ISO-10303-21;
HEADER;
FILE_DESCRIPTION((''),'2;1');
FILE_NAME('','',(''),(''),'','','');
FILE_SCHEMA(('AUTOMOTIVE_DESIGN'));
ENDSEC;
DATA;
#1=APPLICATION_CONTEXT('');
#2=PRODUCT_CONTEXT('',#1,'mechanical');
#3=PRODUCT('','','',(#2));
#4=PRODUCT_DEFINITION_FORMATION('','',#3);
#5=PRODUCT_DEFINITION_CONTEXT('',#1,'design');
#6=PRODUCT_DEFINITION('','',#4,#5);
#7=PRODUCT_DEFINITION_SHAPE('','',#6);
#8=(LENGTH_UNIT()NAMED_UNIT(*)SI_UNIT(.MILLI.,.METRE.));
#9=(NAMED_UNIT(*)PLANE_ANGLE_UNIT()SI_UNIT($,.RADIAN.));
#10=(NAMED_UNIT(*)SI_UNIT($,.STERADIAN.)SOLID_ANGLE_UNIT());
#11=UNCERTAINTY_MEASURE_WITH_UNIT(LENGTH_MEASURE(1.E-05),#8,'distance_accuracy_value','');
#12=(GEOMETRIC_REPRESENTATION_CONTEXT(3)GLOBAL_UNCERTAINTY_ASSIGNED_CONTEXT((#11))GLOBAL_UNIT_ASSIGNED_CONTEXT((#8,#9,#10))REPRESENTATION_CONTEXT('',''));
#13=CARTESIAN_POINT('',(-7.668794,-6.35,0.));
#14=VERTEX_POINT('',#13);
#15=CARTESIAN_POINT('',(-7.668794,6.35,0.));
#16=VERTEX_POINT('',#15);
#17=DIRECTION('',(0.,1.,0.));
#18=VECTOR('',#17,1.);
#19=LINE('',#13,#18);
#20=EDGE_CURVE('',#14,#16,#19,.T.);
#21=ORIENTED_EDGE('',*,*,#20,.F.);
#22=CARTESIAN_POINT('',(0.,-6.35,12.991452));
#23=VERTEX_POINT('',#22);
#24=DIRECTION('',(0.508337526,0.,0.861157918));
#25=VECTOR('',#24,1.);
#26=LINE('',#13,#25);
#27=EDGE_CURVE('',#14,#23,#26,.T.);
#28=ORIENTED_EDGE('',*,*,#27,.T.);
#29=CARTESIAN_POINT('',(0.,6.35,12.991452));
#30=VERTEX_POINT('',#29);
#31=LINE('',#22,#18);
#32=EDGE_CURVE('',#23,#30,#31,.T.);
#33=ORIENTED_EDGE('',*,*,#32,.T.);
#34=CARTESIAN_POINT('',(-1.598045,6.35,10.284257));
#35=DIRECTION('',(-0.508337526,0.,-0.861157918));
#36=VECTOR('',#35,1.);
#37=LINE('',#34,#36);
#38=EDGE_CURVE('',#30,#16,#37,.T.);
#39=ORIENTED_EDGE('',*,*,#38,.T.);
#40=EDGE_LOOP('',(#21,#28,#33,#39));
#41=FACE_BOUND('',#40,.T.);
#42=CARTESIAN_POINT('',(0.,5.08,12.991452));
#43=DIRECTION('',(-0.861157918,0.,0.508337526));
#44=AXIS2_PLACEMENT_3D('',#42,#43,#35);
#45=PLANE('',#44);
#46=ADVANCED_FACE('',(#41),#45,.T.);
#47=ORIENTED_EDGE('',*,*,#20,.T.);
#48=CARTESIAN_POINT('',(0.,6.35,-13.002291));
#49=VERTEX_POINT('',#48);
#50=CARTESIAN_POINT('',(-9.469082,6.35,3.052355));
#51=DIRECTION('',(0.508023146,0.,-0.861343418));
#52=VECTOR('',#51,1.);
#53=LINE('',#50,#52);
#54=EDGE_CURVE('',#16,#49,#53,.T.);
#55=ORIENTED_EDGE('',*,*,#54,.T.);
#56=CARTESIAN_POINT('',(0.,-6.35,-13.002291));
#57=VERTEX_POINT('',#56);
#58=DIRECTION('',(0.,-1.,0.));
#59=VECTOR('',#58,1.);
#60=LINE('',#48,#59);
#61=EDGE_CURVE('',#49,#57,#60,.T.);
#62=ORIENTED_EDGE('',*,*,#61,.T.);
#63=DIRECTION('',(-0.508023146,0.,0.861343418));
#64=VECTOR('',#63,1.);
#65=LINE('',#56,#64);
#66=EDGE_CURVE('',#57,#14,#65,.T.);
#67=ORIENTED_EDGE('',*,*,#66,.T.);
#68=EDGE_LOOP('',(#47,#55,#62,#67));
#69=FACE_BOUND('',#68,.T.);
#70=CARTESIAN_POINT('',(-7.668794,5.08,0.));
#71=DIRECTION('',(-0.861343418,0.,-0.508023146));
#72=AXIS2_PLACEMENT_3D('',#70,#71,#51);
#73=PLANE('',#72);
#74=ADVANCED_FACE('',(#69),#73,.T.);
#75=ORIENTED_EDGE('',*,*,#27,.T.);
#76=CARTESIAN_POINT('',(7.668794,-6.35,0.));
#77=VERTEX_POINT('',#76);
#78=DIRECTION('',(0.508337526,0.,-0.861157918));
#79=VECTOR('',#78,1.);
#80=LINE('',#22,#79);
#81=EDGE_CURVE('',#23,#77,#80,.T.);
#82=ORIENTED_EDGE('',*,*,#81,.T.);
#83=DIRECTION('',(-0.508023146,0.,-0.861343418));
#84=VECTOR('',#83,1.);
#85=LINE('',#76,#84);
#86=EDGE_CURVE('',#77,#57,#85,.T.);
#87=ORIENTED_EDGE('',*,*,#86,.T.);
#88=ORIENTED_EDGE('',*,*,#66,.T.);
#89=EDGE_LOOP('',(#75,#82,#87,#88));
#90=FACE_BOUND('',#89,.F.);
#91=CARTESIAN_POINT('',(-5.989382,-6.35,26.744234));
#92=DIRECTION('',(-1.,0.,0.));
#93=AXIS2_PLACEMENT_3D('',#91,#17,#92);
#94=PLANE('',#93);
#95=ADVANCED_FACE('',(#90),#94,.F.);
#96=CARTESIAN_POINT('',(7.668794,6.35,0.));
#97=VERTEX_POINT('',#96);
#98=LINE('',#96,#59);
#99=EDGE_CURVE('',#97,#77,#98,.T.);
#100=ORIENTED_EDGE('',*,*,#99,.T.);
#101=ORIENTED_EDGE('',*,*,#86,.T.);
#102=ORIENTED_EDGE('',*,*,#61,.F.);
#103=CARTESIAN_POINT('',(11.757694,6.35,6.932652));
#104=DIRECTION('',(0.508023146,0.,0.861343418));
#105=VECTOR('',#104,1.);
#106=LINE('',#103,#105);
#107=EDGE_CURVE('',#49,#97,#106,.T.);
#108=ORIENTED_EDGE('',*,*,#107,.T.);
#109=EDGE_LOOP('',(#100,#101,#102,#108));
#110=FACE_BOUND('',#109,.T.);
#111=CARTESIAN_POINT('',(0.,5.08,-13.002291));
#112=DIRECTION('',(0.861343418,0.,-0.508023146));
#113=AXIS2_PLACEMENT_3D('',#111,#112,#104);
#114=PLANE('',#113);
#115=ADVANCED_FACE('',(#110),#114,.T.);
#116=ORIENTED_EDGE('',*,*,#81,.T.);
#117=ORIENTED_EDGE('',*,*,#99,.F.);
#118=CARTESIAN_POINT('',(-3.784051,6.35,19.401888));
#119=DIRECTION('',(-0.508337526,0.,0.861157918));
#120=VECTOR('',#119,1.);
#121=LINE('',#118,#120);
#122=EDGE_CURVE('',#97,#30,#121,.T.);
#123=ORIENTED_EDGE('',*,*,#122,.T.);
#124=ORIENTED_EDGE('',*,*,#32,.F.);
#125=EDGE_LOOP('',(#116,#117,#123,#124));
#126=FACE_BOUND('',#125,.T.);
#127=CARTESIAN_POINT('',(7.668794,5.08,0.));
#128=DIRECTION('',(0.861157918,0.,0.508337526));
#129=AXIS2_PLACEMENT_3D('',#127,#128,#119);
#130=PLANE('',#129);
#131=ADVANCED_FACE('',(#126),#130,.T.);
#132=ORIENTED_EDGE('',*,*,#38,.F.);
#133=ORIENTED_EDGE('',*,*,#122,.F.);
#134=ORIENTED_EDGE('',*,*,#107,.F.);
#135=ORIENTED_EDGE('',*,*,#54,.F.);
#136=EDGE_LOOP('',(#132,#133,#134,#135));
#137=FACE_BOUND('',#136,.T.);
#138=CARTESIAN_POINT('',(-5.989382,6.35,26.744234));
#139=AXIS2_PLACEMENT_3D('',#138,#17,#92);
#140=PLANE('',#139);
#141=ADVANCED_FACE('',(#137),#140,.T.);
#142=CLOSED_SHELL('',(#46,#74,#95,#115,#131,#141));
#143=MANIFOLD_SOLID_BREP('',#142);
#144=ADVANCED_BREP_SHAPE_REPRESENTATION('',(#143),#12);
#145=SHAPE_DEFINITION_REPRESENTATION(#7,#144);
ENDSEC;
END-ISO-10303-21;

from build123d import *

# Parameters (mm, degrees)
F1_DEPTH = 5.08
F2_DEPTH = 5.08
F3_W     = 124.8834840953
F3_H     = 134.0803280473
F4_DEPTH = 25.4
F5_DEPTH = 1.27
F6_DEPTH = 1.27


with BuildPart() as f1:
    # F0 (on Front) → F1 (new body)
    with BuildSketch(Plane.XZ):
        with BuildLine():
            add(Edge.make_bspline(
                [(11.6870266183, 8.3659507286), (11.9476031572, 8.1243832132), (12.5616108346, 7.4348870399), (13.3502602627, 5.9055860485), (12.8304196463, 2.6136928469), (12.1032885822, -3.9726756525), (11.7671016032, -8.6546761386), (11.3077259518, -11.7183290107), (11.0820746049, -13.2232354954)],
                knots=[0.7644347581, 0.7644347581, 0.7644347581, 0.7644347581, 0.7813803339, 0.8102561854, 0.8494051355, 0.9057589485, 0.9537075591, 1, 1, 1, 1], degree=3))
            Line((11.6870266183, 8.3659507286), (10.7098612934, -7.1798651479))
            Line((10.7098612934, -7.1798651479), (-10.6029463932, 18.994666636))
            Line((-10.6029463932, 18.994666636), (-7.8187826003, 81.9431145827))
            add(Edge.make_bspline(
                [(-10.6029463932, 84.9773436785), (-9.8645957866, 84.411917966), (-8.8470388386, 83.6326772405), (-8.0272766718, 82.3316307612), (-7.8187826003, 81.9431145827)],
                knots=[0, 0, 0, 0, 0.0369842854, 0.0509698458, 0.0509698458, 0.0509698458, 0.0509698458], degree=3))
            add(Edge.make_bspline(
                [(-11.1952358857, -13.2855195552), (-11.1963398761, -12.8902117283), (-11.1997561984, -11.6669231231), (-11.1512885463, -5.3731858959), (-11.3422819981, 1.4393792063), (-12.1461643066, 4.6189611976), (-13.2850553088, 9.1238655935), (-15.2318124981, 13.6348809881), (-16.5294824008, 17.2010053959), (-19.3261405399, 23.6368379744), (-19.7379489625, 26.452730971), (-18.8574929103, 31.5305578619), (-16.6797816611, 35.2468825016), (-14.5909185063, 40.6408371255), (-13.4119591393, 46.1621954132), (-12.5394588361, 53.3896491248), (-12.0546254183, 59.9791874234), (-12.4642284532, 65.9827168693), (-12.3457592591, 73.9226808987), (-11.3164428193, 80.5227149139), (-11.5649092387, 84.7450814286), (-10.8268692537, 84.9232783602), (-10.6029463932, 84.9773436785)],
                knots=[0, 0, 0, 0, 0.0273896804, 0.0847579572, 0.1451631407, 0.1862204743, 0.2349457062, 0.2850522094, 0.3309978555, 0.390291, 0.4296935499, 0.4796750401, 0.527816225, 0.5818528524, 0.6365092781, 0.6980539867, 0.7565756752, 0.8124783975, 0.8767822708, 0.9378286387, 0.9811370802, 1, 1, 1, 1], degree=3))
            Line((-11.1952358857, -13.2855195552), (10.8409429303, -13.2855195552))
            add(Edge.make_bspline(
                [(10.8409429303, -13.2855195552), (10.9216527758, -13.2575733481), (11.0020770139, -13.2366740148), (11.0820746049, -13.2232354954)],
                knots=[0.9988692567, 0.9988692567, 0.9988692567, 0.9988692567, 1, 1, 1, 1], degree=3))
        make_face()
        with BuildLine():
            Line((10.7098612934, -7.1798651479), (11.6870266183, 8.3659507286))
            add(Edge.make_bspline(
                [(-7.8187826003, 81.9431145827), (-7.3326835412, 81.037298185), (-6.246332701, 78.0877738667), (-5.7619281696, 71.7972152113), (-5.7903461619, 61.0472196354), (-5.6098025476, 47.5528084715), (-5.6232359348, 35.7951775922), (-6.6035814728, 31.5572406566), (-6.642373723, 26.8588973108), (-4.7217209893, 21.7576733197), (-2.3324429206, 17.8568763905), (-0.0644904347, 14.9988475653), (2.1698029367, 12.9502128359), (5.7523840475, 11.2499433455), (8.6363164493, 10.2542124123), (10.6765655712, 9.2073747067), (11.4911211984, 8.5475648745), (11.6870266183, 8.3659507286)],
                knots=[0.0509698458, 0.0509698458, 0.0509698458, 0.0509698458, 0.0835768534, 0.1402547932, 0.2115954168, 0.293701069, 0.3674969806, 0.4121442254, 0.4580916534, 0.50894046, 0.5557476766, 0.5967458601, 0.6345135251, 0.6775157549, 0.7161326985, 0.7516948155, 0.7644347581, 0.7644347581, 0.7644347581, 0.7644347581], degree=3))
            Line((-7.8187826003, 81.9431145827), (-10.6029463932, 18.994666636))
            Line((-10.6029463932, 18.994666636), (10.7098612934, -7.1798651479))
        make_face()
        with BuildLine():
            Line((11.0820746049, -15.9663576633), (11.0820746049, -13.2855195552))
            Line((11.0820746049, -13.2855195552), (10.8409429303, -13.2855195552))
            add(Edge.make_bspline(
                [(8.3953980002, -15.9663576633), (9.1364610409, -14.6227373643), (10.004055933, -13.5752960653), (10.8409429303, -13.2855195552)],
                knots=[0.9871444865, 0.9871444865, 0.9871444865, 0.9871444865, 0.9988692567, 0.9988692567, 0.9988692567, 0.9988692567], degree=3))
            Line((8.3953980003, -15.9663576633), (11.0820746049, -15.9663576633))
        make_face()
        with BuildLine():
            add(Edge.make_bspline(
                [(8.3953980002, -15.9663576633), (9.1364610409, -14.6227373643), (10.004055933, -13.5752960653), (10.8409429303, -13.2855195552)],
                knots=[0.9871444865, 0.9871444865, 0.9871444865, 0.9871444865, 0.9988692567, 0.9988692567, 0.9988692567, 0.9988692567], degree=3))
            Line((10.8409429303, -13.2855195552), (-11.1952358857, -13.2855195552))
            Line((-11.1952358857, -13.2855195552), (-11.0308257863, -15.9663576633))
            Line((-11.0308257863, -15.9663576633), (8.3953980003, -15.9663576633))
        make_face()
        with BuildLine():
            Line((11.0820746049, -13.2855195552), (11.0820746049, -13.2232354954))
            add(Edge.make_bspline(
                [(10.8409429303, -13.2855195552), (10.9216527758, -13.2575733481), (11.0020770139, -13.2366740148), (11.0820746049, -13.2232354954)],
                knots=[0.9988692567, 0.9988692567, 0.9988692567, 0.9988692567, 1, 1, 1, 1], degree=3))
            Line((10.8409429303, -13.2855195552), (11.0820746049, -13.2855195552))
        make_face()
    extrude(amount=F1_DEPTH)

    # F2 (add): a face of the model
    f2_faces = [f1.faces().sort_by_distance(p)[0] for p in [
        (-5.0809274024, 0, 19.1888153538),
    ]]
    extrude(f2_faces, amount=F2_DEPTH)

    # F3 (on face) → F4 (cut)
    with BuildSketch(Plane.XZ.offset(5.08)):
        with Locations((7.2313416749, 30.1963053644)):
            Rectangle(F3_W, F3_H)
        with BuildLine():
            Line((-11.0308257863, -15.9663576633), (-11.1952358857, -13.2855195552))
            add(Edge.make_bspline(
                [(-11.1952358857, -13.2855195552), (-11.1963398761, -12.8902117283), (-11.1997561984, -11.6669231231), (-11.1512885463, -5.3731858959), (-11.3422819981, 1.4393792063), (-12.1461643066, 4.6189611976), (-13.2850553088, 9.1238655935), (-15.2318124981, 13.6348809881), (-16.5294824008, 17.2010053959), (-19.3261405399, 23.6368379744), (-19.7379489625, 26.452730971), (-18.8574929103, 31.5305578619), (-16.6797816611, 35.2468825016), (-14.5909185063, 40.6408371255), (-13.4119591393, 46.1621954132), (-12.5394588361, 53.3896491248), (-12.0546254183, 59.9791874234), (-12.4642284532, 65.9827168693), (-12.3457592591, 73.9226808987), (-11.3164428193, 80.5227149139), (-11.5649092387, 84.7450814286), (-10.8268692537, 84.9232783602), (-10.6029463932, 84.9773436785)],
                knots=[0, 0, 0, 0, 0.0273896804, 0.0847579572, 0.1451631407, 0.1862204743, 0.2349457062, 0.2850522094, 0.3309978555, 0.390291, 0.4296935499, 0.4796750401, 0.527816225, 0.5818528524, 0.6365092781, 0.6980539867, 0.7565756752, 0.8124783975, 0.8767822708, 0.9378286387, 0.9811370802, 1, 1, 1, 1], degree=3))
            add(Edge.make_bspline(
                [(11.0820746049, -13.2232354954), (11.3077259518, -11.7183290107), (11.7671016032, -8.6546761386), (12.1032885822, -3.9726756525), (12.8304196463, 2.6136928469), (13.3502602627, 5.9055860485), (12.443365527, 7.6641811468), (11.0743289472, 9.0032850711), (8.6363164493, 10.2542124123), (5.7523840475, 11.2499433455), (2.1698029367, 12.9502128359), (-0.0644904347, 14.9988475653), (-2.3324429206, 17.8568763905), (-4.7217209893, 21.7576733197), (-6.642373723, 26.8588973108), (-6.6035814728, 31.5572406566), (-5.6232359348, 35.7951775922), (-5.6098025476, 47.5528084715), (-5.7903461619, 61.0472196354), (-5.7619281696, 71.7972152113), (-6.2885094778, 78.6354885776), (-8.1960757736, 83.1341725308), (-9.8645957866, 84.411917966), (-10.6029463932, 84.9773436785)],
                knots=[0.7644347581, 0.7644347581, 0.7644347581, 0.7644347581, 0.810727199, 0.8586758096, 0.9150296226, 0.9541785727, 0.9830544242, 1.0127399426, 1.0483020596, 1.0869190032, 1.1299212329, 1.167688898, 1.2086870814, 1.2554942981, 1.3063431047, 1.3522905327, 1.3969377775, 1.470733689, 1.5528393413, 1.6241799649, 1.6808579047, 1.7274504726, 1.7644347581, 1.7644347581, 1.7644347581, 1.7644347581], degree=3))
            Line((11.0820746049, -13.2232354954), (11.0820746049, -15.9663576633))
            Line((11.0820746049, -15.9663576633), (-11.0308257863, -15.9663576633))
        make_face(mode=Mode.SUBTRACT)
        with BuildLine():
            add(Edge.make_bspline(
                [(-11.1952358857, -13.2855195552), (-11.1963398761, -12.8902117283), (-11.1997561984, -11.6669231231), (-11.1512885463, -5.3731858959), (-11.3422819981, 1.4393792063), (-12.1461643066, 4.6189611976), (-13.2850553088, 9.1238655935), (-15.2318124981, 13.6348809881), (-16.5294824008, 17.2010053959), (-19.3261405399, 23.6368379744), (-19.7379489625, 26.452730971), (-18.8574929103, 31.5305578619), (-16.6797816611, 35.2468825016), (-14.5909185063, 40.6408371255), (-13.4119591393, 46.1621954132), (-12.5394588361, 53.3896491248), (-12.0546254183, 59.9791874234), (-12.4642284532, 65.9827168693), (-12.3457592591, 73.9226808987), (-11.3164428193, 80.5227149139), (-11.5649092387, 84.7450814286), (-10.8268692537, 84.9232783602), (-10.6029463932, 84.9773436785)],
                knots=[0, 0, 0, 0, 0.0273896804, 0.0847579572, 0.1451631407, 0.1862204743, 0.2349457062, 0.2850522094, 0.3309978555, 0.390291, 0.4296935499, 0.4796750401, 0.527816225, 0.5818528524, 0.6365092781, 0.6980539867, 0.7565756752, 0.8124783975, 0.8767822708, 0.9378286387, 0.9811370802, 1, 1, 1, 1], degree=3))
            Line((-11.1952358857, -13.2855195552), (-11.0308257863, -15.9663576633))
            Line((-11.0308257863, -15.9663576633), (11.0820746049, -15.9663576633))
            Line((11.0820746049, -15.9663576633), (11.0820746049, -13.2232354954))
            add(Edge.make_bspline(
                [(11.0820746049, -13.2232354954), (11.3077259518, -11.7183290107), (11.7671016032, -8.6546761386), (12.1032885822, -3.9726756525), (12.8304196463, 2.6136928469), (13.3502602627, 5.9055860485), (12.443365527, 7.6641811468), (11.0743289472, 9.0032850711), (8.6363164493, 10.2542124123), (5.7523840475, 11.2499433455), (2.1698029367, 12.9502128359), (-0.0644904347, 14.9988475653), (-2.3324429206, 17.8568763905), (-4.7217209893, 21.7576733197), (-6.642373723, 26.8588973108), (-6.6035814728, 31.5572406566), (-5.6232359348, 35.7951775922), (-5.6098025476, 47.5528084715), (-5.7903461619, 61.0472196354), (-5.7619281696, 71.7972152113), (-6.2885094778, 78.6354885776), (-8.1960757736, 83.1341725308), (-9.8645957866, 84.411917966), (-10.6029463932, 84.9773436785)],
                knots=[0.7644347581, 0.7644347581, 0.7644347581, 0.7644347581, 0.810727199, 0.8586758096, 0.9150296226, 0.9541785727, 0.9830544242, 1.0127399426, 1.0483020596, 1.0869190032, 1.1299212329, 1.167688898, 1.2086870814, 1.2554942981, 1.3063431047, 1.3522905327, 1.3969377775, 1.470733689, 1.5528393413, 1.6241799649, 1.6808579047, 1.7274504726, 1.7644347581, 1.7644347581, 1.7644347581, 1.7644347581], degree=3))
        make_face()
        Polygon((-7.6687936671, 0), (0, 12.9914516583), (7.6687936671, 0), (0, -13.0022913218), align=None, mode=Mode.SUBTRACT)
    extrude(amount=-F4_DEPTH, mode=Mode.SUBTRACT)

    # F5 (add): a face of the model
    f5_faces = [f1.faces().sort_by_distance(p)[0] for p in [
        (0, -5.08, -0.0036132211),
    ]]
    extrude(f5_faces, amount=F5_DEPTH)

    # F6 (add): a face of the model
    f6_faces = [f1.faces().sort_by_distance(p)[0] for p in [
        (0, 5.08, -0.0036132211),
    ]]
    extrude(f6_faces, amount=F6_DEPTH)


solid = f1.part
